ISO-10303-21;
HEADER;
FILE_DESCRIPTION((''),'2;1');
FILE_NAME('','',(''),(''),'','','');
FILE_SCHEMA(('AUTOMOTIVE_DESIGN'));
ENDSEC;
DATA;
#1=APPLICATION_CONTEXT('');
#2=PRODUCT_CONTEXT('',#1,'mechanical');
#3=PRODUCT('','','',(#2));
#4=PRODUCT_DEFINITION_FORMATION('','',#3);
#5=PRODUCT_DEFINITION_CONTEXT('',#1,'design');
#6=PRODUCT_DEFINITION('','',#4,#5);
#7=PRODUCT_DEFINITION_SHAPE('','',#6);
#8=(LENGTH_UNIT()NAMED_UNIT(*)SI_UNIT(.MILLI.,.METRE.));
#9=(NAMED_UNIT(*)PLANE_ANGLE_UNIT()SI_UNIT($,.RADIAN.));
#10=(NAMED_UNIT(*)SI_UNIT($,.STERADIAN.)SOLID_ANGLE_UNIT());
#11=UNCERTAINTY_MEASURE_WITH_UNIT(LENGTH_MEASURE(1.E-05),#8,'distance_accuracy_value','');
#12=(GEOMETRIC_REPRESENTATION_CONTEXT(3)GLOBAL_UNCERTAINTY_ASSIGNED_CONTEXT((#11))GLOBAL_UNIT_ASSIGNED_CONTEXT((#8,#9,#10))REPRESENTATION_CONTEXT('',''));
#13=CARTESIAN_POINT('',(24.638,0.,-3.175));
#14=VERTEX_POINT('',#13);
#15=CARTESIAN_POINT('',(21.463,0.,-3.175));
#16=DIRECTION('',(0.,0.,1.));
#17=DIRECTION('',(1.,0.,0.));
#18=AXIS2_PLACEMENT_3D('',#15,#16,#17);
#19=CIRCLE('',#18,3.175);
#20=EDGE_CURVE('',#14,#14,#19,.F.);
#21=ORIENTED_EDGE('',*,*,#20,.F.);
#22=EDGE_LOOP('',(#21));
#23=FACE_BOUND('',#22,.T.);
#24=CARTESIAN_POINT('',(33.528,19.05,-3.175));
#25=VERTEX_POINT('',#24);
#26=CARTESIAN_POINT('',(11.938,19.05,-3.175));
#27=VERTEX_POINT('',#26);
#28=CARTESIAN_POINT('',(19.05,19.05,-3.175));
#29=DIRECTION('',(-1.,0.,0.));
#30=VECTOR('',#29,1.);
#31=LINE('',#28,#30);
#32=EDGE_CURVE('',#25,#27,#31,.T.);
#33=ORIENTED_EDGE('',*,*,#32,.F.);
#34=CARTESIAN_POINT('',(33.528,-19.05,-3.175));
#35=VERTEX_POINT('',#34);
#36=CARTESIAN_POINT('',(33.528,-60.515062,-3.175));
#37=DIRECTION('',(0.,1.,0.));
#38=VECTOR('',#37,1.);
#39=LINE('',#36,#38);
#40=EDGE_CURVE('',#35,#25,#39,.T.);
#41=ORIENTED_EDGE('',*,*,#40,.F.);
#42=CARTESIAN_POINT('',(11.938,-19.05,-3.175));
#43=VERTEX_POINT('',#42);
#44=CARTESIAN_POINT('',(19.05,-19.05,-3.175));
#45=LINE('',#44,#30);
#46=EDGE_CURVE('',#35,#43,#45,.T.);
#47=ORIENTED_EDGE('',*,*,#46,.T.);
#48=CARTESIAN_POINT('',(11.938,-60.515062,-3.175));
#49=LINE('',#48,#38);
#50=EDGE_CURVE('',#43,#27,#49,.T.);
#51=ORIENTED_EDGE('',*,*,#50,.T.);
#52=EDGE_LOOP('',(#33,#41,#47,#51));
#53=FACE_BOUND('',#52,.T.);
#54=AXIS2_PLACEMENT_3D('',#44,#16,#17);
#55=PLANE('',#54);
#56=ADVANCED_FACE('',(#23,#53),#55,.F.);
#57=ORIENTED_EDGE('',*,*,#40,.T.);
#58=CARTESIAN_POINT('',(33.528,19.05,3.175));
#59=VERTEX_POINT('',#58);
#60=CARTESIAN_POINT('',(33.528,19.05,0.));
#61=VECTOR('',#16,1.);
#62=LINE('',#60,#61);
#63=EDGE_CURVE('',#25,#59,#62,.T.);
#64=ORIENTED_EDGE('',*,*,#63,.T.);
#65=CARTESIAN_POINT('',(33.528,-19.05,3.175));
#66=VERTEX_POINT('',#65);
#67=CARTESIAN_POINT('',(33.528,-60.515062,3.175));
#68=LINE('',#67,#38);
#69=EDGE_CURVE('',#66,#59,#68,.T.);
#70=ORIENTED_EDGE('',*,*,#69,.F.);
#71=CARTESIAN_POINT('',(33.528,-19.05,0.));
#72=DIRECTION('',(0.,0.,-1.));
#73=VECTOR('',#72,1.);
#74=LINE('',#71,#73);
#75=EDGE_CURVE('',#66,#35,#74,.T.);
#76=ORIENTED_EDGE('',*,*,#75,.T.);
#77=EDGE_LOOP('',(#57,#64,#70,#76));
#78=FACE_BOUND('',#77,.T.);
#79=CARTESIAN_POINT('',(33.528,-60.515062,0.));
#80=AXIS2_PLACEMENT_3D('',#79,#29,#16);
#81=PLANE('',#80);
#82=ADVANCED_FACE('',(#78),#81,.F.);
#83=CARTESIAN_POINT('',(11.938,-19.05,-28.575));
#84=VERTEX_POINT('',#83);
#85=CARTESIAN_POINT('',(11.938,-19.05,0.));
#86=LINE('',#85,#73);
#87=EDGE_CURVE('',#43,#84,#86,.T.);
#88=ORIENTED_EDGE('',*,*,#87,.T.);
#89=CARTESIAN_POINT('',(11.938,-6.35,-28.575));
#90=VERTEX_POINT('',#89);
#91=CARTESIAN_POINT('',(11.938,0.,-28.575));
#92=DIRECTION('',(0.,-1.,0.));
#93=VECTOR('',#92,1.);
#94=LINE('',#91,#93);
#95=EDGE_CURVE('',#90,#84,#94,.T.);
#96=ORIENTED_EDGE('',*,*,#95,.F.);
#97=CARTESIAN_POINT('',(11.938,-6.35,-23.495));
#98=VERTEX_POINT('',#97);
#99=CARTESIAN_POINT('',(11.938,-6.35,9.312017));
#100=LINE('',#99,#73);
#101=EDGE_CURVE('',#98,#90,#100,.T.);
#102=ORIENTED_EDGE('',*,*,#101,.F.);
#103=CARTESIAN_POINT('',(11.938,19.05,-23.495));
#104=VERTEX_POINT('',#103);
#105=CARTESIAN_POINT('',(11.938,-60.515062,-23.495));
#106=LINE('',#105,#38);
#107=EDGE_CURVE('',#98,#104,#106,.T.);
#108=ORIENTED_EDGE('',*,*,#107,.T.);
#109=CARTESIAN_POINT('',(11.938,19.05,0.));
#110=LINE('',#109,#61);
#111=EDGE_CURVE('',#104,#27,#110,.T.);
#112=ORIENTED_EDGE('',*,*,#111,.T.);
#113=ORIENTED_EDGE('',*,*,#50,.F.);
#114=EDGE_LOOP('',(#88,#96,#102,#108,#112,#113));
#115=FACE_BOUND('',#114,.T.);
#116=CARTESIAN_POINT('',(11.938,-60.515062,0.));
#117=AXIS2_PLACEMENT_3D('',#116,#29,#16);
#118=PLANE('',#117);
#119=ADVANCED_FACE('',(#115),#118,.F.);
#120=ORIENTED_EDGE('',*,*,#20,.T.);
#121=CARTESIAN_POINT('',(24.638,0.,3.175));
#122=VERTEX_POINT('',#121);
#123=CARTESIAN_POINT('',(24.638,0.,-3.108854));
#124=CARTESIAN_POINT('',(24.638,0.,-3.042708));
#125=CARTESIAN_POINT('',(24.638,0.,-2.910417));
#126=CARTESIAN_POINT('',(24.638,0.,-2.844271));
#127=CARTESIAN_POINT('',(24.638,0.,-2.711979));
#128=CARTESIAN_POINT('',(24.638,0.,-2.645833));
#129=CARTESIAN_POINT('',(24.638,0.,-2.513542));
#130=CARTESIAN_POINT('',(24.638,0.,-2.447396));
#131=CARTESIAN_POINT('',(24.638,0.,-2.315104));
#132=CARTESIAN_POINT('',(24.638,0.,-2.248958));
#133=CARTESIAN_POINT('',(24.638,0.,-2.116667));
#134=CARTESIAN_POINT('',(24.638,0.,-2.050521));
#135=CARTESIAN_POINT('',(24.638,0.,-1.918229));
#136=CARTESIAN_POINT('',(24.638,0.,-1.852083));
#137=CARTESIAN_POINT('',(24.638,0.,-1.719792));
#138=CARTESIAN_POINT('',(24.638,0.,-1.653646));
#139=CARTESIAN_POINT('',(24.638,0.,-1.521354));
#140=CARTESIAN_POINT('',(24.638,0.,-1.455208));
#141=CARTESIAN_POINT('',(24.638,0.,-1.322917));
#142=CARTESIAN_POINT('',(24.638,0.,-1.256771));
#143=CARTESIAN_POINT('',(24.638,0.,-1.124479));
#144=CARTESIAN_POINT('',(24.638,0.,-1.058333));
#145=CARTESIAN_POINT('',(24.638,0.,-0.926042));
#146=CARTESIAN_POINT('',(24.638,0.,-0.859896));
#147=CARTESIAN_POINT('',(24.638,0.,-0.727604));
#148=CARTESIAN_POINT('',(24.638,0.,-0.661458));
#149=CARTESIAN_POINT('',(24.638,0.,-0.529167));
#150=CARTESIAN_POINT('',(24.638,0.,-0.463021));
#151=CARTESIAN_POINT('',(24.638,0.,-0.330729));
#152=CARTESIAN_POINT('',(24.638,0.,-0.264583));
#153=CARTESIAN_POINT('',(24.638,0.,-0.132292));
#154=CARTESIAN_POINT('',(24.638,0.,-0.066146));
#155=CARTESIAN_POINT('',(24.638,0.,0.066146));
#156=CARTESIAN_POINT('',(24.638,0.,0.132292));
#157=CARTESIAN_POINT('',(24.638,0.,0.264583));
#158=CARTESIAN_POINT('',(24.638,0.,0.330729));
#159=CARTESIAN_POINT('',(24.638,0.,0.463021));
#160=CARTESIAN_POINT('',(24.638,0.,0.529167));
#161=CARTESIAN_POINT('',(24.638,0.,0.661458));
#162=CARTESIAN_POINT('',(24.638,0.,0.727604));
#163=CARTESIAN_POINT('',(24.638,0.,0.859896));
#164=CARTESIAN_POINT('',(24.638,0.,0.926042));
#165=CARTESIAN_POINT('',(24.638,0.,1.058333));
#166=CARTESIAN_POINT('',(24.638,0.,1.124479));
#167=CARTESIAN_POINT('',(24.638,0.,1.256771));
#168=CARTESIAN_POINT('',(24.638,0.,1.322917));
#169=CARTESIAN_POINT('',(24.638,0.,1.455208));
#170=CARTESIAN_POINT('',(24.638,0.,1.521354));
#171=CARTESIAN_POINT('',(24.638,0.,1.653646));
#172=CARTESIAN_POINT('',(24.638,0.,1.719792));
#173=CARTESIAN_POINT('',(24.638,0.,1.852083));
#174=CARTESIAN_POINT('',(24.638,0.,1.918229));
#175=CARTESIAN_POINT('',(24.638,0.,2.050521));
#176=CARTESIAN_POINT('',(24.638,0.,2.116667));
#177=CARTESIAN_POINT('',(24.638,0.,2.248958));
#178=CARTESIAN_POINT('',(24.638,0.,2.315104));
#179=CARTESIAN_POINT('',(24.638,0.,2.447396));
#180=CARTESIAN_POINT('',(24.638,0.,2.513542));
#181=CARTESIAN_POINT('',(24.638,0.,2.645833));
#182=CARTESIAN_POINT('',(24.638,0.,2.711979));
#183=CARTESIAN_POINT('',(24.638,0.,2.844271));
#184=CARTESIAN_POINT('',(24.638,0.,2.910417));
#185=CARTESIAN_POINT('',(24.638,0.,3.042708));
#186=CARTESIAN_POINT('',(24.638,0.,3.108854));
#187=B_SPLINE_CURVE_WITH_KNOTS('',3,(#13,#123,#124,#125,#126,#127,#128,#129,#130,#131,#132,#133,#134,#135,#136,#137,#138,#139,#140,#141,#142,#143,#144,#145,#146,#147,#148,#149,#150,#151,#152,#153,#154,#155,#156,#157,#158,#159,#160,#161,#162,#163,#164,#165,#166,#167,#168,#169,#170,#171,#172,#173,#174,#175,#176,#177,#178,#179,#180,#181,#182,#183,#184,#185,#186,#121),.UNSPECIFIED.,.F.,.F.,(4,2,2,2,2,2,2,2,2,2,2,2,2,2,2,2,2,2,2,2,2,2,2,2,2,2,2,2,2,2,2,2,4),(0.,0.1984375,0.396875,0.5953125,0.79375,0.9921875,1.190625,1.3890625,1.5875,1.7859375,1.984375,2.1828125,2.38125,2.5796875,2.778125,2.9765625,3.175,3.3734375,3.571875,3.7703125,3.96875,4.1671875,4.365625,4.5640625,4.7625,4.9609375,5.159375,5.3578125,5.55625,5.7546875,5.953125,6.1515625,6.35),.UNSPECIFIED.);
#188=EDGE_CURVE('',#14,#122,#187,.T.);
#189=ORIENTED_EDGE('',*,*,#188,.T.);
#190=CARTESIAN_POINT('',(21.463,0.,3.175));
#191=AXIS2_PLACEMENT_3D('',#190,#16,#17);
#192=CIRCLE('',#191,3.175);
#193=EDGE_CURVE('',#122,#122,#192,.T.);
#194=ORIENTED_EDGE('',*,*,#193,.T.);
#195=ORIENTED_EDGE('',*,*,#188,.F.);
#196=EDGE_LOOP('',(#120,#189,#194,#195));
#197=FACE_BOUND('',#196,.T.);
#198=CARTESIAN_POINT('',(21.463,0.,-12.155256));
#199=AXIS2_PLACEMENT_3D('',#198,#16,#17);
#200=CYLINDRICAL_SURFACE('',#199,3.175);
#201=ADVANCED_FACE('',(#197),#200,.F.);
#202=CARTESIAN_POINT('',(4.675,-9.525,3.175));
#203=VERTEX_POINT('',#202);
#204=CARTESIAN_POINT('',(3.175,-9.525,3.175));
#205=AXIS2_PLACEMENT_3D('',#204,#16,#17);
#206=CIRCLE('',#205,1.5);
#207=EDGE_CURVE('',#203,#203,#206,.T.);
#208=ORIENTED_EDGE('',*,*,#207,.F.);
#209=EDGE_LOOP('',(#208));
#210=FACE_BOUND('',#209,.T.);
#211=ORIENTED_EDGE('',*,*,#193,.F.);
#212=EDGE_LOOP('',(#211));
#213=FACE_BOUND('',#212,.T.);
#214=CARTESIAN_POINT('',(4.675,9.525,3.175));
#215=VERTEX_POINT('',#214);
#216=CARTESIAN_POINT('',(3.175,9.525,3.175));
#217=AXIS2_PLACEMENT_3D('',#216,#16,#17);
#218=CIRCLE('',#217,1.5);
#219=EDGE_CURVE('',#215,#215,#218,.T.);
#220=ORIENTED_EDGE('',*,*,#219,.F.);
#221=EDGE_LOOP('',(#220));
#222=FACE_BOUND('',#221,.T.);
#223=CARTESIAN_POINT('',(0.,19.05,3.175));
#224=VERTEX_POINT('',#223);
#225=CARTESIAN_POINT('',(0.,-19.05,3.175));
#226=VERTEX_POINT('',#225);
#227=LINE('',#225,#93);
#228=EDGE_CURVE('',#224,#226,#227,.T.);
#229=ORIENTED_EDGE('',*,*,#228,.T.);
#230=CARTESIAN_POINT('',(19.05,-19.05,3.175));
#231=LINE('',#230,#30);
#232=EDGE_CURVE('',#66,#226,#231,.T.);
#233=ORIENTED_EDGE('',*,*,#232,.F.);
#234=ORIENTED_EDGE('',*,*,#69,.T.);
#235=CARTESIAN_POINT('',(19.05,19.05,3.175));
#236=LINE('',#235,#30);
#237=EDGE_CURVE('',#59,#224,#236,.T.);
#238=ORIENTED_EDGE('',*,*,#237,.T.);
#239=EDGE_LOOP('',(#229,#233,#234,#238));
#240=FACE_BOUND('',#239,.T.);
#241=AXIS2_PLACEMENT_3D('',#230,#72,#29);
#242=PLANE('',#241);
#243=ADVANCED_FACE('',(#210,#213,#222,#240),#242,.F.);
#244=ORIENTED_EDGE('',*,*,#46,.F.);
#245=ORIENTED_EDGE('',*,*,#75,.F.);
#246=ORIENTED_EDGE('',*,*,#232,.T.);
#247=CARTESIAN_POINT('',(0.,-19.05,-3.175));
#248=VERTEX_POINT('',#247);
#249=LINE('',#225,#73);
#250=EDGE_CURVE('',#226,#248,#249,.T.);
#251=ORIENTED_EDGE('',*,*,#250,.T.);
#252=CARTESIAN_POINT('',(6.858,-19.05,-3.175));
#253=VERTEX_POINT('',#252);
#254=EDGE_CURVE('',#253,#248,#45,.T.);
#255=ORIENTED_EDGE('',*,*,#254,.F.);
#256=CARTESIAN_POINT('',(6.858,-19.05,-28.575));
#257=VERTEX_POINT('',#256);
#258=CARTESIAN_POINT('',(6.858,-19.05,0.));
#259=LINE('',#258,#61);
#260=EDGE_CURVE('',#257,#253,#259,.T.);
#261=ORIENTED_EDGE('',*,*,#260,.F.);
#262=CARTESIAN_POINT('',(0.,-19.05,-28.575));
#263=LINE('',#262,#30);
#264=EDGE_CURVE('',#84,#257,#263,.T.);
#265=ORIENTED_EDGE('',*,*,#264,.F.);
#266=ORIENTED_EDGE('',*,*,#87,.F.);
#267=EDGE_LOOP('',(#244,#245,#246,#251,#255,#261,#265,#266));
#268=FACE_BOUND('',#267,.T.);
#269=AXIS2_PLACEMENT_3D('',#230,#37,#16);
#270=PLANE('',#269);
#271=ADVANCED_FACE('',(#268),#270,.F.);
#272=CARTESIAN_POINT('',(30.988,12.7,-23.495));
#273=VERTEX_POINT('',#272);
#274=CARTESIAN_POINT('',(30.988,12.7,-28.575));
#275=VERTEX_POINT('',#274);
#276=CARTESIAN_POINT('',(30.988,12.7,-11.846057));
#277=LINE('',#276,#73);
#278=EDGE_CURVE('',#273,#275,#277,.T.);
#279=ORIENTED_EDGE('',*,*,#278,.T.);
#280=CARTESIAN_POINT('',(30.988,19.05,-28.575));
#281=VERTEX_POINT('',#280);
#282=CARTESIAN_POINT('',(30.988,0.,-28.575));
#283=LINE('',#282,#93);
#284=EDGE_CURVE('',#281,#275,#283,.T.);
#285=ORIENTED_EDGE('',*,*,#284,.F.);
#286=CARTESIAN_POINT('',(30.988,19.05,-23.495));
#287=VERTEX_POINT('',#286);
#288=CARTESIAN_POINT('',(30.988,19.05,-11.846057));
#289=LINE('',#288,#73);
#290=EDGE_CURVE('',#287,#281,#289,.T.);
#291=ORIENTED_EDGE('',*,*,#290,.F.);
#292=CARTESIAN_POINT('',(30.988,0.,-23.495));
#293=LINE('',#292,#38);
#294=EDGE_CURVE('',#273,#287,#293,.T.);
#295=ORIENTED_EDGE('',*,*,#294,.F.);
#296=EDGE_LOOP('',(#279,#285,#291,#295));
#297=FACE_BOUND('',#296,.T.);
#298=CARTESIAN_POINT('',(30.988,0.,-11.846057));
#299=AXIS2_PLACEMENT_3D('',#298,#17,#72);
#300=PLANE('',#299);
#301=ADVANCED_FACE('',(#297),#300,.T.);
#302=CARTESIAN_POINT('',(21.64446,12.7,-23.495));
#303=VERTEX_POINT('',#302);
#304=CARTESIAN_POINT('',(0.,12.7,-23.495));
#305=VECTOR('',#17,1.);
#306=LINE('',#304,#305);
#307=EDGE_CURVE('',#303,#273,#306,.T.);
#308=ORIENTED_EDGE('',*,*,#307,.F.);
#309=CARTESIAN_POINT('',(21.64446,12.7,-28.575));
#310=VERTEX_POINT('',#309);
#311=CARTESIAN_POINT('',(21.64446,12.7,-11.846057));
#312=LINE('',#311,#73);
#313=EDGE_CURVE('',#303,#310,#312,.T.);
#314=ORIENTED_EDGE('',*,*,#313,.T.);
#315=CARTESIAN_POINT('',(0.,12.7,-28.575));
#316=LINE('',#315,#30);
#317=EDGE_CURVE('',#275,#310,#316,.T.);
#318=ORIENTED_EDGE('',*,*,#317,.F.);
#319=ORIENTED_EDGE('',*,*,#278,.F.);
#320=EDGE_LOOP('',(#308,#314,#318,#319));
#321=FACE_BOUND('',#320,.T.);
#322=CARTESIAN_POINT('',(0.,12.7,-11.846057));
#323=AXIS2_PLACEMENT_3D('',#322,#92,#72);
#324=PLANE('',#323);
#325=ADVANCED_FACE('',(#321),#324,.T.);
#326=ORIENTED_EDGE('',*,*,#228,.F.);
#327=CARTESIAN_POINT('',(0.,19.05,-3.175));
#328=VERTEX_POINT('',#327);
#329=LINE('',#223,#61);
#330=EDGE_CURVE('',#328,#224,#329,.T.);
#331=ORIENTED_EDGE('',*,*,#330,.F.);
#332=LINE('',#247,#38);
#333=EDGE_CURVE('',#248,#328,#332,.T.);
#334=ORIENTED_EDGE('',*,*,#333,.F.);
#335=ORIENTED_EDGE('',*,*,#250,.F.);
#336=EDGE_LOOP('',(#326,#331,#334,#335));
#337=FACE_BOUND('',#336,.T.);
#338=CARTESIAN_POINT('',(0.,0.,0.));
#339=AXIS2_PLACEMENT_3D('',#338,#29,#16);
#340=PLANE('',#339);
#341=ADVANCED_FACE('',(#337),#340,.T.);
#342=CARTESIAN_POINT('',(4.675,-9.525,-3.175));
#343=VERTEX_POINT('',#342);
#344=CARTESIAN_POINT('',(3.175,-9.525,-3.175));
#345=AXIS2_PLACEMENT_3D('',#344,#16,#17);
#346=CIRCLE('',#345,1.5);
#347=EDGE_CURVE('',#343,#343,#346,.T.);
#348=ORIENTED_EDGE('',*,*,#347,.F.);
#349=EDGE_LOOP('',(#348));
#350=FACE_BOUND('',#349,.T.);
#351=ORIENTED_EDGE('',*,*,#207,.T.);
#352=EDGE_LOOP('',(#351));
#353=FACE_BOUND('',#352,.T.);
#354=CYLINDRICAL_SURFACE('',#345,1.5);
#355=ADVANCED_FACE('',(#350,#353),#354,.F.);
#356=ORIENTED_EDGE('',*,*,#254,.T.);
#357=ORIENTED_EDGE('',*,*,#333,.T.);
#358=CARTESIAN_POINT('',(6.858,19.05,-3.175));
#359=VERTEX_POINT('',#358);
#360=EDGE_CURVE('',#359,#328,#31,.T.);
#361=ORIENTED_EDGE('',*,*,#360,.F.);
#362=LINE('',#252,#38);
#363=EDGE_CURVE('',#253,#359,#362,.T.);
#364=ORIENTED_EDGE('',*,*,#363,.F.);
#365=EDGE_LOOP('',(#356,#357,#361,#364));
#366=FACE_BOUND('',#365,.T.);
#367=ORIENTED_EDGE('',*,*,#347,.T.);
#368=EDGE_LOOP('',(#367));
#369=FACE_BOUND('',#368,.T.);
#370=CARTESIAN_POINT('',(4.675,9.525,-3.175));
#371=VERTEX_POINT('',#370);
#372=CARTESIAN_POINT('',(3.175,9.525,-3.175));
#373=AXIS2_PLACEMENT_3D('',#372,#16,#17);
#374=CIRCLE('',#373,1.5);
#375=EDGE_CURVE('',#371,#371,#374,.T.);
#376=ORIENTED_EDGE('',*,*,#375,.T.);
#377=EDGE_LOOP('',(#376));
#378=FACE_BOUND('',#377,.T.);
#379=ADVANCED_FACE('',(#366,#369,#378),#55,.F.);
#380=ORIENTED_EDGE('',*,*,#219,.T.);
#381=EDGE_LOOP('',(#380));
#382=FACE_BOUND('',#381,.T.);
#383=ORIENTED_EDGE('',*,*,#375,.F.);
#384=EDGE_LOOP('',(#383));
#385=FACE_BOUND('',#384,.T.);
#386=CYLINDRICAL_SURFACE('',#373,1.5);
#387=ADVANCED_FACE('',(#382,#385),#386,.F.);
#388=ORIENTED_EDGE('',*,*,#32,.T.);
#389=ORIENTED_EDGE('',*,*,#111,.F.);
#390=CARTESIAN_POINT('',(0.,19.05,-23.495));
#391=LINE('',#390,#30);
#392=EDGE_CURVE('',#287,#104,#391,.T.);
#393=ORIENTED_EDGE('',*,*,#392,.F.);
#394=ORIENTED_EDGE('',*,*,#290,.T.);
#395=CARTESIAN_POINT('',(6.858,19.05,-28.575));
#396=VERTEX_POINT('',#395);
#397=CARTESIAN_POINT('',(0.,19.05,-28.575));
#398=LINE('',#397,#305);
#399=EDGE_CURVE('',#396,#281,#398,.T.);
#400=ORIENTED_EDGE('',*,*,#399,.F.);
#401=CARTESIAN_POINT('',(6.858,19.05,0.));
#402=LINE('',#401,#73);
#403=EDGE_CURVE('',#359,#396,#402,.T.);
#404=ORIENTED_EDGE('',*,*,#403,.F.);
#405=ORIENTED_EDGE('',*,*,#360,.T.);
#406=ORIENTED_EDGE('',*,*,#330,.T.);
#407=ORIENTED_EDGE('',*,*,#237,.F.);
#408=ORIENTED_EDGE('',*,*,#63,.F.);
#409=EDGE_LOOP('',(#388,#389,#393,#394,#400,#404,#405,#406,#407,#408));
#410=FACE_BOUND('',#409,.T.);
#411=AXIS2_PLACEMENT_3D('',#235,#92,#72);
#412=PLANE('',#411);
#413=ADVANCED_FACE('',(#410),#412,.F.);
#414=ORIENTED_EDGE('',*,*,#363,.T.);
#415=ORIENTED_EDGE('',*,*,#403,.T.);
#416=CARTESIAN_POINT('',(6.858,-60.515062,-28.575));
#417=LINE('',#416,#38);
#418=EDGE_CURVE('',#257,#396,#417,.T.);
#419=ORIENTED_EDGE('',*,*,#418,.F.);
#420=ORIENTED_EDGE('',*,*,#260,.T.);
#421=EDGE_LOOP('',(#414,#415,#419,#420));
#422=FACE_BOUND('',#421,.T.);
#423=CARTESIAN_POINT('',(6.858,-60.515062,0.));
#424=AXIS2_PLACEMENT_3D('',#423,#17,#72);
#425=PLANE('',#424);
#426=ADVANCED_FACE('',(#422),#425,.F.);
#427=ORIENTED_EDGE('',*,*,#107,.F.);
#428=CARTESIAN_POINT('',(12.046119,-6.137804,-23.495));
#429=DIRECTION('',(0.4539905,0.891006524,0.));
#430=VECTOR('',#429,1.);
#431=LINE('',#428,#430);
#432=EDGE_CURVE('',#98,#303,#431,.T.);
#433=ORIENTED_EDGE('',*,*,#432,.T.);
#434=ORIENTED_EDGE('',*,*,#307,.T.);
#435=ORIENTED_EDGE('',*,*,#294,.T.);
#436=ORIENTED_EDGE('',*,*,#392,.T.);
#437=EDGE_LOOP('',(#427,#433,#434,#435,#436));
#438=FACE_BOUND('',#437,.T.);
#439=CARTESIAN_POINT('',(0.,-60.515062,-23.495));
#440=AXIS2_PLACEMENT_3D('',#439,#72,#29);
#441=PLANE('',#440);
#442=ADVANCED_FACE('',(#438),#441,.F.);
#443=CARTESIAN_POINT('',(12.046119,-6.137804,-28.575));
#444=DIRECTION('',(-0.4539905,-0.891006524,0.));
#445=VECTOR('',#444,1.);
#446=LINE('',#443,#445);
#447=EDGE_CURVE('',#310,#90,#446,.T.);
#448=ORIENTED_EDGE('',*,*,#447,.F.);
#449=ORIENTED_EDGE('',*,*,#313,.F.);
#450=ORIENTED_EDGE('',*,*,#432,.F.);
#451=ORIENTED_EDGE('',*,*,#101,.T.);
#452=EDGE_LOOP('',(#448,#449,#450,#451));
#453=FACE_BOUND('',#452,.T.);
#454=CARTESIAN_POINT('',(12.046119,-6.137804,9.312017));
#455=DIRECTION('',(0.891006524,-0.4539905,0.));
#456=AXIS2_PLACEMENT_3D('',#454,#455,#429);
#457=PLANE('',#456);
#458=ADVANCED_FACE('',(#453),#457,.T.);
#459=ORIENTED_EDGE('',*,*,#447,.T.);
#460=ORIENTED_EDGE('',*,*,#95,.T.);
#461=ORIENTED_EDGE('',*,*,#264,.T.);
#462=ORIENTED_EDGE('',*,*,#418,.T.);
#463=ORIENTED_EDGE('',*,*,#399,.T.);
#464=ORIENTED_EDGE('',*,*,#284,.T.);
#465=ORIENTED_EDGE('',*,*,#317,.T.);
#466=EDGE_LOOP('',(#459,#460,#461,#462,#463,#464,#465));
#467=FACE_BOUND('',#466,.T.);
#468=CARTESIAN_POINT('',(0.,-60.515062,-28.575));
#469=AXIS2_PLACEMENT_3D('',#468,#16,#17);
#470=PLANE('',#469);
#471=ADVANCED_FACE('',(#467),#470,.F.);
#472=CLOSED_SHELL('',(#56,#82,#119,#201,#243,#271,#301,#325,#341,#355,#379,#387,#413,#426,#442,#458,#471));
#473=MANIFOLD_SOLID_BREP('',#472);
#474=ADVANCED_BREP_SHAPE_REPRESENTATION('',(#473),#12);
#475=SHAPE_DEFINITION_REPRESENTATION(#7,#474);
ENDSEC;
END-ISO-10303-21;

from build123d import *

# Parameters (mm, degrees)
SKETCH2_W           = 6.35
SKETCH2_H           = 38.1
BOSS_EXTRUDE1_DEPTH = 19.05
SKETCH3_R           = 1.5
CUT_EXTRUDE1_DEPTH  = 28.679008291
SKETCH4_W           = 14.478
SKETCH4_H           = 6.35
SKETCH4_W_2         = 9.525
SKETCH4_H_2         = 5.08
BOSS_EXTRUDE2_DEPTH = 38.1
SKETCH5_R           = 3.175
CUT_EXTRUDE2_DEPTH  = 6.35
CUT_EXTRUDE3_DEPTH  = 5.08
BOSS_EXTRUDE3_DEPTH = 5.08


with BuildPart() as part:
    # Sketch2 → Boss-Extrude1 (new body)
    with BuildSketch(Plane(origin=(0, 0, 0), x_dir=(0, 0, -1), z_dir=(1, 0, 0))):
        Rectangle(SKETCH2_W, SKETCH2_H)
    extrude(amount=BOSS_EXTRUDE1_DEPTH)

    # Sketch3 → Cut-Extrude1 (cut, through all)
    with BuildSketch(Plane.XY.offset(3.175)):
        with Locations((3.175, 9.525)):
            Circle(SKETCH3_R)
        with Locations((3.175, -9.525)):
            Circle(SKETCH3_R)
    extrude(amount=-CUT_EXTRUDE1_DEPTH, mode=Mode.SUBTRACT)

    # Sketch4 → Boss-Extrude2 (add)
    with BuildSketch(Plane(origin=(0, 19.05, 0), x_dir=(1, 0, 0), z_dir=(0, 1, 0))):
        with Locations((26.289, 0)):
            Rectangle(SKETCH4_W, SKETCH4_H)
        Polygon((6.858, 3.175), (6.858, -3.175), (19.05, -3.175), (19.05, 3.175), (11.938, 3.175), align=None)
        Polygon((6.858, 28.575), (6.858, 3.175), (11.938, 3.175), (11.938, 23.495), (11.938, 28.575), align=None)
        with Locations((16.7005, 26.035)):
            Rectangle(SKETCH4_W_2, SKETCH4_H_2)
    extrude(amount=-BOSS_EXTRUDE2_DEPTH)

    # Sketch5 → Cut-Extrude2 (cut)
    with BuildSketch(Plane.XY.offset(3.175)):
        with Locations((21.463, 0)):
            Circle(SKETCH5_R)
    extrude(amount=-CUT_EXTRUDE2_DEPTH, mode=Mode.SUBTRACT)

    # Sketch6 → Cut-Extrude3 (cut)
    with BuildSketch(Plane(origin=(0, 0, -28.575), x_dir=(-1, 0, 0), z_dir=(0, 0, -1))):
        Polygon((-21.463, -19.05), (-11.938, -19.05), (-11.938, -6.35), (-21.463, 12.343865065), align=None)
    extrude(amount=-CUT_EXTRUDE3_DEPTH, mode=Mode.SUBTRACT)

    # Sketch6<3> → Boss-Extrude3 (add)
    with BuildSketch(Plane(origin=(0, 0, -28.575), x_dir=(-1, 0, 0), z_dir=(0, 0, -1))):
        Polygon((-21.463, 12.343865065), (-21.463, 19.05), (-30.988, 19.05), (-30.988, 12.7), (-21.644459813, 12.7), align=None)
    extrude(amount=-BOSS_EXTRUDE3_DEPTH)


solid = part.part
